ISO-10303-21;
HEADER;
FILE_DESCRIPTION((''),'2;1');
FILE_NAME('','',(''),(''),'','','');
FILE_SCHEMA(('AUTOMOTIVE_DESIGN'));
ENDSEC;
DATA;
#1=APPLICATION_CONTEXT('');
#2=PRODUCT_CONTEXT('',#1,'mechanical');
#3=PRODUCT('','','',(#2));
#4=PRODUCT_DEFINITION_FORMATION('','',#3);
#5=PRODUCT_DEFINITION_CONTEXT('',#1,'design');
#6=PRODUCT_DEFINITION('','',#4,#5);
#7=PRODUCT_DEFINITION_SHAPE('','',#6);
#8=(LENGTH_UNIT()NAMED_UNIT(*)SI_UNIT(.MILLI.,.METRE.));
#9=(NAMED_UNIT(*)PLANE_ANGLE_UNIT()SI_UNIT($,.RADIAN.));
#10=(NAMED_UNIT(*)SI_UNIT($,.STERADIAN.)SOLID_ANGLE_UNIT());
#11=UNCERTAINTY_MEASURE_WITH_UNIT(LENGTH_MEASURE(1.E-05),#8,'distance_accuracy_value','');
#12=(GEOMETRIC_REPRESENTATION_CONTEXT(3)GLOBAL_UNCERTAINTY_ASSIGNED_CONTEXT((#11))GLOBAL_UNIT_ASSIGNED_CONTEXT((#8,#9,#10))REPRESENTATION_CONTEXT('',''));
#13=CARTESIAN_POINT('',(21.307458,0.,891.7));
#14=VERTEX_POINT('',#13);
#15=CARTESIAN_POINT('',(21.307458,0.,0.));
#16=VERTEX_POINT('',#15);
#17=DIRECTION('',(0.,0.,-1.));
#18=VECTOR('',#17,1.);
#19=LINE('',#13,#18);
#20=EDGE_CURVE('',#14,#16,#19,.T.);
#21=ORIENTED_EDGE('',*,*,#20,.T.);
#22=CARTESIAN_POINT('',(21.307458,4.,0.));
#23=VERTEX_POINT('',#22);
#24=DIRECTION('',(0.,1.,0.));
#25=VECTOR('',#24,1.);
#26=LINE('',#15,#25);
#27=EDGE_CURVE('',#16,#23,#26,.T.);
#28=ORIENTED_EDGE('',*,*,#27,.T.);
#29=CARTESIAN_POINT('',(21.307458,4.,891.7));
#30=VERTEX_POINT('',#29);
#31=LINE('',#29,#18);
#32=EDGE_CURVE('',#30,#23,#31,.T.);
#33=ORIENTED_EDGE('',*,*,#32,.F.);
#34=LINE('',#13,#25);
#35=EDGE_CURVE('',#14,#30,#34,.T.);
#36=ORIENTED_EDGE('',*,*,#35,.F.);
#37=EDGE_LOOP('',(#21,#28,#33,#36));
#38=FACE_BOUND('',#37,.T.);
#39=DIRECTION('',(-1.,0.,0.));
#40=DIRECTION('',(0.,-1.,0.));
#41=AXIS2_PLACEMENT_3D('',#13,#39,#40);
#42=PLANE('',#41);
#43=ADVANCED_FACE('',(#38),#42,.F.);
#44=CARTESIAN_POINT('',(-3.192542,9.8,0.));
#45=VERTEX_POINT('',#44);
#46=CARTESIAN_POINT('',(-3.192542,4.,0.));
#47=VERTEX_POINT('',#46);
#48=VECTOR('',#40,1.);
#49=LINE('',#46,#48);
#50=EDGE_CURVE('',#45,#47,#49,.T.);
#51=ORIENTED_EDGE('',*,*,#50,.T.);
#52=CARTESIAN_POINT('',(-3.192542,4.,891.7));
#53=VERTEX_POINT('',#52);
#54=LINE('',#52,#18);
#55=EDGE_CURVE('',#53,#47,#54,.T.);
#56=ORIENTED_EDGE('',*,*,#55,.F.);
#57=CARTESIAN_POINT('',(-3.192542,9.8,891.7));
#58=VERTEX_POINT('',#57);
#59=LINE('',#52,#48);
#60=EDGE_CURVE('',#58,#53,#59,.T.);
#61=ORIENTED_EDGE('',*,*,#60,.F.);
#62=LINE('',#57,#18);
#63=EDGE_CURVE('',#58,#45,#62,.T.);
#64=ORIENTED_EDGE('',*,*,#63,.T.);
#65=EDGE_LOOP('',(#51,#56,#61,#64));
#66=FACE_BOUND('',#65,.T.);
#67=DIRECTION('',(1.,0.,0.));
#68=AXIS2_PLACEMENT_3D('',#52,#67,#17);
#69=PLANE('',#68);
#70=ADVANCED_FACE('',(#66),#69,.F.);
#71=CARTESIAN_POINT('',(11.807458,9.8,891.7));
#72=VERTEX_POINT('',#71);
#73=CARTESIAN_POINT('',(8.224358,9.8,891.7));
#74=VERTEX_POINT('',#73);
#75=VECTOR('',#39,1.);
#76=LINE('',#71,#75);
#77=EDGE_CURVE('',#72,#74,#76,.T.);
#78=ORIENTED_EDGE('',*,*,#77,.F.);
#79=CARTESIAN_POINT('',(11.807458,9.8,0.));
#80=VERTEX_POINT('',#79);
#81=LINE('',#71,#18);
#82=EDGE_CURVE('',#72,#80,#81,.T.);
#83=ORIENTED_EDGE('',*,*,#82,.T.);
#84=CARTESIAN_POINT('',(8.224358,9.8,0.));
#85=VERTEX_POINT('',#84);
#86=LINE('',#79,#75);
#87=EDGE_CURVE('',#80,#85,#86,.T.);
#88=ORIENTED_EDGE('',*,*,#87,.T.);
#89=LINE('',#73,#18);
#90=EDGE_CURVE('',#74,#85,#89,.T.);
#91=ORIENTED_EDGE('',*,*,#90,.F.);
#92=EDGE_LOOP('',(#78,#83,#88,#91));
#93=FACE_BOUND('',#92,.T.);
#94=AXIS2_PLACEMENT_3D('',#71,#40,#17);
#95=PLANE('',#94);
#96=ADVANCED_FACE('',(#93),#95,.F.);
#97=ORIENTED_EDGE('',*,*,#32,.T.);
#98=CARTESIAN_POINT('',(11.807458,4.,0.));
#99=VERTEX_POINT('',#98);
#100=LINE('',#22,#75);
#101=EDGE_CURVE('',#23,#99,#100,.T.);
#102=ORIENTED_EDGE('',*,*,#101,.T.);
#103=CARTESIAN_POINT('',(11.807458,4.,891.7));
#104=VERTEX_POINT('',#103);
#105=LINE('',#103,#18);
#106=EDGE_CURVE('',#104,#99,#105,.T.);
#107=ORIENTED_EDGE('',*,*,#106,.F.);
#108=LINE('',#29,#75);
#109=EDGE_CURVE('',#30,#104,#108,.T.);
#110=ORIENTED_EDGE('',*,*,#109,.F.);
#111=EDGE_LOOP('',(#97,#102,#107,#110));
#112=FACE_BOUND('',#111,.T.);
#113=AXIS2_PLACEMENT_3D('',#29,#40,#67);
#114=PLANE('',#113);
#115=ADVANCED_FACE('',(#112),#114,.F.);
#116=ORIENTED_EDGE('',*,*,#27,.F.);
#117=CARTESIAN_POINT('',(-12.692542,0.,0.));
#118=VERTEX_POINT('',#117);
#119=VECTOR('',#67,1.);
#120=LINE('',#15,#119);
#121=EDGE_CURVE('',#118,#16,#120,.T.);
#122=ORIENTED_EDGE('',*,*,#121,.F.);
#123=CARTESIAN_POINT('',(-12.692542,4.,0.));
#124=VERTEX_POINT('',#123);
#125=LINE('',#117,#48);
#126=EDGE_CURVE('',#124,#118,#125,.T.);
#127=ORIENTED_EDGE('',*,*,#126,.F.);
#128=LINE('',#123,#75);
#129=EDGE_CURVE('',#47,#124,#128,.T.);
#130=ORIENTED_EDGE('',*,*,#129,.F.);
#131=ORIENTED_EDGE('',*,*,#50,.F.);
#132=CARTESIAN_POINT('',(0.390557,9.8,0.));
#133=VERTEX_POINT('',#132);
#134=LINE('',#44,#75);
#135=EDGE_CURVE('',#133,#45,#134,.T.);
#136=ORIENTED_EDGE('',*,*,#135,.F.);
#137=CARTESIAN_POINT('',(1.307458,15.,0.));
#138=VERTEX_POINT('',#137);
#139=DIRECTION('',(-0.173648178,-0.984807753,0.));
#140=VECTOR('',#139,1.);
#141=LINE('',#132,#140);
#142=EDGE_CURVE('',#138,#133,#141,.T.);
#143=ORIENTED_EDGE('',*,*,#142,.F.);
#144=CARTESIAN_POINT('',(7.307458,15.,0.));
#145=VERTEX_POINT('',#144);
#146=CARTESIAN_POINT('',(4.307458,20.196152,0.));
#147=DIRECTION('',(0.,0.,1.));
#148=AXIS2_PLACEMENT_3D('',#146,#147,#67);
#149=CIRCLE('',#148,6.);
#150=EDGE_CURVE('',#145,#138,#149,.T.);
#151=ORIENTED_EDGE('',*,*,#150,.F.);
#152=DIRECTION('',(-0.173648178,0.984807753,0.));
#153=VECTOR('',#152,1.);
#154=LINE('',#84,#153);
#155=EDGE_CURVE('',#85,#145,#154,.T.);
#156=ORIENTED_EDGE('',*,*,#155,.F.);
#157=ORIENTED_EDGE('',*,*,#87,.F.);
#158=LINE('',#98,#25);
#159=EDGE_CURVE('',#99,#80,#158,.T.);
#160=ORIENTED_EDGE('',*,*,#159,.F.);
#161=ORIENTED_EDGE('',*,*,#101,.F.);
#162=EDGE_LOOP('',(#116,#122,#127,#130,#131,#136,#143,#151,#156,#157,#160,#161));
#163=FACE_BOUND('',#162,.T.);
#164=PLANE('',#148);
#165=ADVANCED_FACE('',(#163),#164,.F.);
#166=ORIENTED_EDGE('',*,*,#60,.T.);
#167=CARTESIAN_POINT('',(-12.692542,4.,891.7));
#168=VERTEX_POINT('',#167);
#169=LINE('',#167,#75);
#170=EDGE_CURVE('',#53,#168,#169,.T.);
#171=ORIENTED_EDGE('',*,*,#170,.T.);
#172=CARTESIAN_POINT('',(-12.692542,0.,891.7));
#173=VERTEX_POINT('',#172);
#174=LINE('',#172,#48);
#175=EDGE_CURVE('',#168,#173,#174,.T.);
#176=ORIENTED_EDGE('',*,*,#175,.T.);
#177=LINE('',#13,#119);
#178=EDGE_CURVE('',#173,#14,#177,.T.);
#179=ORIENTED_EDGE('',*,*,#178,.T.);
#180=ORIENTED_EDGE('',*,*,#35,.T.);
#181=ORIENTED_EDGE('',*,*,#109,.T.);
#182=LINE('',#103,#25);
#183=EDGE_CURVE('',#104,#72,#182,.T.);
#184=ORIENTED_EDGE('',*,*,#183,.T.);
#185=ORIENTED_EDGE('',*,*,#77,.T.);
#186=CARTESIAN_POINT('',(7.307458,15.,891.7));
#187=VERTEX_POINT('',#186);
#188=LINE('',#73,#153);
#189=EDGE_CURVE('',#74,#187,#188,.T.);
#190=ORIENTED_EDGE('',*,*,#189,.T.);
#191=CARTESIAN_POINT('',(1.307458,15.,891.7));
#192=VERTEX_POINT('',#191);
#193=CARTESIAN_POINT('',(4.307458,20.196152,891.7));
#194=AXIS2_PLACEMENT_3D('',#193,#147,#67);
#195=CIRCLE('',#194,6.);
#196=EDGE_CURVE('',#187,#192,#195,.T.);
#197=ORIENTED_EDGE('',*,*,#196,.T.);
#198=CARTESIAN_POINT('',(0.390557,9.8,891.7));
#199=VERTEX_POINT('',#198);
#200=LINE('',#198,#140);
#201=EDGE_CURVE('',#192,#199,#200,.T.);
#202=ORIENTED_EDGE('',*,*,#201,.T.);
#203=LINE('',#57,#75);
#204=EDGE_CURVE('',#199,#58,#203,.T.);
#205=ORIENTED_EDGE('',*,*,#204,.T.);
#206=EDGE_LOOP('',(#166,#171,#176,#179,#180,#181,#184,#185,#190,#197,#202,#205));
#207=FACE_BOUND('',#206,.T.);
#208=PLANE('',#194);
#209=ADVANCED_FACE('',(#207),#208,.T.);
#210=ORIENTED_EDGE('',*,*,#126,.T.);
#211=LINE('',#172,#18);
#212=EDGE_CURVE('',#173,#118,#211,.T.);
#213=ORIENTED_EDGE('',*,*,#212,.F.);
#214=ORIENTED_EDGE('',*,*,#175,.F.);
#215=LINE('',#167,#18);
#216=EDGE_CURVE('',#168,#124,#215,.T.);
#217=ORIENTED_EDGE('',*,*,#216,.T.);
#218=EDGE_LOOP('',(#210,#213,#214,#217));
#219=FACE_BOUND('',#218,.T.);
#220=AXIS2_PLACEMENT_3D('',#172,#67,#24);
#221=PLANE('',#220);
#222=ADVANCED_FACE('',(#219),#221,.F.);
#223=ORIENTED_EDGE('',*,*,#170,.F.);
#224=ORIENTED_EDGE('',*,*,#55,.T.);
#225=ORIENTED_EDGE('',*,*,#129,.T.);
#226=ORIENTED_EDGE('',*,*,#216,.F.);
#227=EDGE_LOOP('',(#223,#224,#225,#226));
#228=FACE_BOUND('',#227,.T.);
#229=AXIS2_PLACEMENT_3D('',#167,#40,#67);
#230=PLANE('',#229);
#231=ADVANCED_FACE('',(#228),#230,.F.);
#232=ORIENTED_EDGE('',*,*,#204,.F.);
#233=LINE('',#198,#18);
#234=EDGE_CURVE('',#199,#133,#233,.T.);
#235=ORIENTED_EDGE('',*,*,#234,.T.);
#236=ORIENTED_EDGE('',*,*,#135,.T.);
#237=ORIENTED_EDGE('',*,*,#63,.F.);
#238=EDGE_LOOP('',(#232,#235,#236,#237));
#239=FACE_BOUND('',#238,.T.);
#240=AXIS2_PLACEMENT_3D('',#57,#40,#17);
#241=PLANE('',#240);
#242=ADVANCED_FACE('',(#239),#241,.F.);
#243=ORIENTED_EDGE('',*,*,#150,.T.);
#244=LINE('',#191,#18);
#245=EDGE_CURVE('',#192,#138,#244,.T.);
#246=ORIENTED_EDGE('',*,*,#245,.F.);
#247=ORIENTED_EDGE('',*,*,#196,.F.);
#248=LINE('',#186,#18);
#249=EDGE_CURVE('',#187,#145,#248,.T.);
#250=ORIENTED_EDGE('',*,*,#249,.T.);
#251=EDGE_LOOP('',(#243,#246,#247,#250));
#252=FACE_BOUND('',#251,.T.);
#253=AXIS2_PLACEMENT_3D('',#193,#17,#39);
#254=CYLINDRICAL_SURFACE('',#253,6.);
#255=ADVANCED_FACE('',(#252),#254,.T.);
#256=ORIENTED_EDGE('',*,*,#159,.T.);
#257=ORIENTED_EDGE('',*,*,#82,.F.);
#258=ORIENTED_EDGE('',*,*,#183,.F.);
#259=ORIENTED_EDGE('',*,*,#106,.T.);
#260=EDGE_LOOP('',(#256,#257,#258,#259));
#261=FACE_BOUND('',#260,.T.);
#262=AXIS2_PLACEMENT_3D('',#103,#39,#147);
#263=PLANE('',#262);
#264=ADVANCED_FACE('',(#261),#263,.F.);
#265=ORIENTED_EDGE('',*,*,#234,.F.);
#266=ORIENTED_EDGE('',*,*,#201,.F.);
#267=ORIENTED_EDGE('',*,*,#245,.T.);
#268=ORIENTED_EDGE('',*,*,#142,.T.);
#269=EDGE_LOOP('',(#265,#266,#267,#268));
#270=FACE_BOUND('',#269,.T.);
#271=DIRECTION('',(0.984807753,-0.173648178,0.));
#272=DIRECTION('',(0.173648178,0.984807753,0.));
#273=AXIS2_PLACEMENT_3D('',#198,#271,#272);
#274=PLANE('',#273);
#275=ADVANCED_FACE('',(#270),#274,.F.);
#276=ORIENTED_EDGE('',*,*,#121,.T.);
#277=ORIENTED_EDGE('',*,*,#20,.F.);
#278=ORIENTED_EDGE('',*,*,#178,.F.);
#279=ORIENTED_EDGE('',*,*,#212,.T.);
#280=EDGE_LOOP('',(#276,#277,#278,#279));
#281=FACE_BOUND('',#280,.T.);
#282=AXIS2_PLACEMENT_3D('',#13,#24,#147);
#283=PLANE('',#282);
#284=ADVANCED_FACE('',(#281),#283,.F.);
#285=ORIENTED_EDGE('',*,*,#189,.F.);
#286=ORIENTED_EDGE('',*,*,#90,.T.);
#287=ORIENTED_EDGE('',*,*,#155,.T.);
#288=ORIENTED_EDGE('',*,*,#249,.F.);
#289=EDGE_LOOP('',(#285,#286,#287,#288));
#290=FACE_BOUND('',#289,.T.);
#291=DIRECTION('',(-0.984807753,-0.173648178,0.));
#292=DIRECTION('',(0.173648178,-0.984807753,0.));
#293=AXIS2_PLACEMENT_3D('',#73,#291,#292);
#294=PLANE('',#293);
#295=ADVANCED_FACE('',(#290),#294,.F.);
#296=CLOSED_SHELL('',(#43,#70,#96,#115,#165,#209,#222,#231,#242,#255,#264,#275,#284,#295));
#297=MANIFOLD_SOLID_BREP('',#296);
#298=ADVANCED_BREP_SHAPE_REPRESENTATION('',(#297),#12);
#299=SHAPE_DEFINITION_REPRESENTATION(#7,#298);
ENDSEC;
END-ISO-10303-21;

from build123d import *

# Parameters (mm, degrees)
BOSS_EXTRUDE1_DEPTH = 891.7


with BuildPart() as part:
    # Sketch1 → Boss-Extrude1 (new body)
    with BuildSketch(Plane.XY):
        with BuildLine():
            Line((21.307457755, 0), (-12.692542245, 0))
            Line((-12.692542245, 0), (-12.692542245, 4))
            Line((-12.692542245, 4), (-3.192542245, 4))
            Line((-3.192542245, 4), (-3.192542245, 9.8))
            Line((-3.192542245, 9.8), (0.390557455, 9.8))
            Line((0.390557455, 9.8), (1.307457755, 15))
            ThreePointArc((1.307457755, 15), (4.307457755, 26.196152423), (7.307457755, 15))
            Line((7.307457755, 15), (8.224358055, 9.8))
            Line((8.224358055, 9.8), (11.807457755, 9.8))
            Line((11.807457755, 9.8), (11.807457755, 4))
            Line((11.807457755, 4), (21.307457755, 4))
            Line((21.307457755, 4), (21.307457755, 0))
        make_face()
    extrude(amount=BOSS_EXTRUDE1_DEPTH)


solid = part.part
